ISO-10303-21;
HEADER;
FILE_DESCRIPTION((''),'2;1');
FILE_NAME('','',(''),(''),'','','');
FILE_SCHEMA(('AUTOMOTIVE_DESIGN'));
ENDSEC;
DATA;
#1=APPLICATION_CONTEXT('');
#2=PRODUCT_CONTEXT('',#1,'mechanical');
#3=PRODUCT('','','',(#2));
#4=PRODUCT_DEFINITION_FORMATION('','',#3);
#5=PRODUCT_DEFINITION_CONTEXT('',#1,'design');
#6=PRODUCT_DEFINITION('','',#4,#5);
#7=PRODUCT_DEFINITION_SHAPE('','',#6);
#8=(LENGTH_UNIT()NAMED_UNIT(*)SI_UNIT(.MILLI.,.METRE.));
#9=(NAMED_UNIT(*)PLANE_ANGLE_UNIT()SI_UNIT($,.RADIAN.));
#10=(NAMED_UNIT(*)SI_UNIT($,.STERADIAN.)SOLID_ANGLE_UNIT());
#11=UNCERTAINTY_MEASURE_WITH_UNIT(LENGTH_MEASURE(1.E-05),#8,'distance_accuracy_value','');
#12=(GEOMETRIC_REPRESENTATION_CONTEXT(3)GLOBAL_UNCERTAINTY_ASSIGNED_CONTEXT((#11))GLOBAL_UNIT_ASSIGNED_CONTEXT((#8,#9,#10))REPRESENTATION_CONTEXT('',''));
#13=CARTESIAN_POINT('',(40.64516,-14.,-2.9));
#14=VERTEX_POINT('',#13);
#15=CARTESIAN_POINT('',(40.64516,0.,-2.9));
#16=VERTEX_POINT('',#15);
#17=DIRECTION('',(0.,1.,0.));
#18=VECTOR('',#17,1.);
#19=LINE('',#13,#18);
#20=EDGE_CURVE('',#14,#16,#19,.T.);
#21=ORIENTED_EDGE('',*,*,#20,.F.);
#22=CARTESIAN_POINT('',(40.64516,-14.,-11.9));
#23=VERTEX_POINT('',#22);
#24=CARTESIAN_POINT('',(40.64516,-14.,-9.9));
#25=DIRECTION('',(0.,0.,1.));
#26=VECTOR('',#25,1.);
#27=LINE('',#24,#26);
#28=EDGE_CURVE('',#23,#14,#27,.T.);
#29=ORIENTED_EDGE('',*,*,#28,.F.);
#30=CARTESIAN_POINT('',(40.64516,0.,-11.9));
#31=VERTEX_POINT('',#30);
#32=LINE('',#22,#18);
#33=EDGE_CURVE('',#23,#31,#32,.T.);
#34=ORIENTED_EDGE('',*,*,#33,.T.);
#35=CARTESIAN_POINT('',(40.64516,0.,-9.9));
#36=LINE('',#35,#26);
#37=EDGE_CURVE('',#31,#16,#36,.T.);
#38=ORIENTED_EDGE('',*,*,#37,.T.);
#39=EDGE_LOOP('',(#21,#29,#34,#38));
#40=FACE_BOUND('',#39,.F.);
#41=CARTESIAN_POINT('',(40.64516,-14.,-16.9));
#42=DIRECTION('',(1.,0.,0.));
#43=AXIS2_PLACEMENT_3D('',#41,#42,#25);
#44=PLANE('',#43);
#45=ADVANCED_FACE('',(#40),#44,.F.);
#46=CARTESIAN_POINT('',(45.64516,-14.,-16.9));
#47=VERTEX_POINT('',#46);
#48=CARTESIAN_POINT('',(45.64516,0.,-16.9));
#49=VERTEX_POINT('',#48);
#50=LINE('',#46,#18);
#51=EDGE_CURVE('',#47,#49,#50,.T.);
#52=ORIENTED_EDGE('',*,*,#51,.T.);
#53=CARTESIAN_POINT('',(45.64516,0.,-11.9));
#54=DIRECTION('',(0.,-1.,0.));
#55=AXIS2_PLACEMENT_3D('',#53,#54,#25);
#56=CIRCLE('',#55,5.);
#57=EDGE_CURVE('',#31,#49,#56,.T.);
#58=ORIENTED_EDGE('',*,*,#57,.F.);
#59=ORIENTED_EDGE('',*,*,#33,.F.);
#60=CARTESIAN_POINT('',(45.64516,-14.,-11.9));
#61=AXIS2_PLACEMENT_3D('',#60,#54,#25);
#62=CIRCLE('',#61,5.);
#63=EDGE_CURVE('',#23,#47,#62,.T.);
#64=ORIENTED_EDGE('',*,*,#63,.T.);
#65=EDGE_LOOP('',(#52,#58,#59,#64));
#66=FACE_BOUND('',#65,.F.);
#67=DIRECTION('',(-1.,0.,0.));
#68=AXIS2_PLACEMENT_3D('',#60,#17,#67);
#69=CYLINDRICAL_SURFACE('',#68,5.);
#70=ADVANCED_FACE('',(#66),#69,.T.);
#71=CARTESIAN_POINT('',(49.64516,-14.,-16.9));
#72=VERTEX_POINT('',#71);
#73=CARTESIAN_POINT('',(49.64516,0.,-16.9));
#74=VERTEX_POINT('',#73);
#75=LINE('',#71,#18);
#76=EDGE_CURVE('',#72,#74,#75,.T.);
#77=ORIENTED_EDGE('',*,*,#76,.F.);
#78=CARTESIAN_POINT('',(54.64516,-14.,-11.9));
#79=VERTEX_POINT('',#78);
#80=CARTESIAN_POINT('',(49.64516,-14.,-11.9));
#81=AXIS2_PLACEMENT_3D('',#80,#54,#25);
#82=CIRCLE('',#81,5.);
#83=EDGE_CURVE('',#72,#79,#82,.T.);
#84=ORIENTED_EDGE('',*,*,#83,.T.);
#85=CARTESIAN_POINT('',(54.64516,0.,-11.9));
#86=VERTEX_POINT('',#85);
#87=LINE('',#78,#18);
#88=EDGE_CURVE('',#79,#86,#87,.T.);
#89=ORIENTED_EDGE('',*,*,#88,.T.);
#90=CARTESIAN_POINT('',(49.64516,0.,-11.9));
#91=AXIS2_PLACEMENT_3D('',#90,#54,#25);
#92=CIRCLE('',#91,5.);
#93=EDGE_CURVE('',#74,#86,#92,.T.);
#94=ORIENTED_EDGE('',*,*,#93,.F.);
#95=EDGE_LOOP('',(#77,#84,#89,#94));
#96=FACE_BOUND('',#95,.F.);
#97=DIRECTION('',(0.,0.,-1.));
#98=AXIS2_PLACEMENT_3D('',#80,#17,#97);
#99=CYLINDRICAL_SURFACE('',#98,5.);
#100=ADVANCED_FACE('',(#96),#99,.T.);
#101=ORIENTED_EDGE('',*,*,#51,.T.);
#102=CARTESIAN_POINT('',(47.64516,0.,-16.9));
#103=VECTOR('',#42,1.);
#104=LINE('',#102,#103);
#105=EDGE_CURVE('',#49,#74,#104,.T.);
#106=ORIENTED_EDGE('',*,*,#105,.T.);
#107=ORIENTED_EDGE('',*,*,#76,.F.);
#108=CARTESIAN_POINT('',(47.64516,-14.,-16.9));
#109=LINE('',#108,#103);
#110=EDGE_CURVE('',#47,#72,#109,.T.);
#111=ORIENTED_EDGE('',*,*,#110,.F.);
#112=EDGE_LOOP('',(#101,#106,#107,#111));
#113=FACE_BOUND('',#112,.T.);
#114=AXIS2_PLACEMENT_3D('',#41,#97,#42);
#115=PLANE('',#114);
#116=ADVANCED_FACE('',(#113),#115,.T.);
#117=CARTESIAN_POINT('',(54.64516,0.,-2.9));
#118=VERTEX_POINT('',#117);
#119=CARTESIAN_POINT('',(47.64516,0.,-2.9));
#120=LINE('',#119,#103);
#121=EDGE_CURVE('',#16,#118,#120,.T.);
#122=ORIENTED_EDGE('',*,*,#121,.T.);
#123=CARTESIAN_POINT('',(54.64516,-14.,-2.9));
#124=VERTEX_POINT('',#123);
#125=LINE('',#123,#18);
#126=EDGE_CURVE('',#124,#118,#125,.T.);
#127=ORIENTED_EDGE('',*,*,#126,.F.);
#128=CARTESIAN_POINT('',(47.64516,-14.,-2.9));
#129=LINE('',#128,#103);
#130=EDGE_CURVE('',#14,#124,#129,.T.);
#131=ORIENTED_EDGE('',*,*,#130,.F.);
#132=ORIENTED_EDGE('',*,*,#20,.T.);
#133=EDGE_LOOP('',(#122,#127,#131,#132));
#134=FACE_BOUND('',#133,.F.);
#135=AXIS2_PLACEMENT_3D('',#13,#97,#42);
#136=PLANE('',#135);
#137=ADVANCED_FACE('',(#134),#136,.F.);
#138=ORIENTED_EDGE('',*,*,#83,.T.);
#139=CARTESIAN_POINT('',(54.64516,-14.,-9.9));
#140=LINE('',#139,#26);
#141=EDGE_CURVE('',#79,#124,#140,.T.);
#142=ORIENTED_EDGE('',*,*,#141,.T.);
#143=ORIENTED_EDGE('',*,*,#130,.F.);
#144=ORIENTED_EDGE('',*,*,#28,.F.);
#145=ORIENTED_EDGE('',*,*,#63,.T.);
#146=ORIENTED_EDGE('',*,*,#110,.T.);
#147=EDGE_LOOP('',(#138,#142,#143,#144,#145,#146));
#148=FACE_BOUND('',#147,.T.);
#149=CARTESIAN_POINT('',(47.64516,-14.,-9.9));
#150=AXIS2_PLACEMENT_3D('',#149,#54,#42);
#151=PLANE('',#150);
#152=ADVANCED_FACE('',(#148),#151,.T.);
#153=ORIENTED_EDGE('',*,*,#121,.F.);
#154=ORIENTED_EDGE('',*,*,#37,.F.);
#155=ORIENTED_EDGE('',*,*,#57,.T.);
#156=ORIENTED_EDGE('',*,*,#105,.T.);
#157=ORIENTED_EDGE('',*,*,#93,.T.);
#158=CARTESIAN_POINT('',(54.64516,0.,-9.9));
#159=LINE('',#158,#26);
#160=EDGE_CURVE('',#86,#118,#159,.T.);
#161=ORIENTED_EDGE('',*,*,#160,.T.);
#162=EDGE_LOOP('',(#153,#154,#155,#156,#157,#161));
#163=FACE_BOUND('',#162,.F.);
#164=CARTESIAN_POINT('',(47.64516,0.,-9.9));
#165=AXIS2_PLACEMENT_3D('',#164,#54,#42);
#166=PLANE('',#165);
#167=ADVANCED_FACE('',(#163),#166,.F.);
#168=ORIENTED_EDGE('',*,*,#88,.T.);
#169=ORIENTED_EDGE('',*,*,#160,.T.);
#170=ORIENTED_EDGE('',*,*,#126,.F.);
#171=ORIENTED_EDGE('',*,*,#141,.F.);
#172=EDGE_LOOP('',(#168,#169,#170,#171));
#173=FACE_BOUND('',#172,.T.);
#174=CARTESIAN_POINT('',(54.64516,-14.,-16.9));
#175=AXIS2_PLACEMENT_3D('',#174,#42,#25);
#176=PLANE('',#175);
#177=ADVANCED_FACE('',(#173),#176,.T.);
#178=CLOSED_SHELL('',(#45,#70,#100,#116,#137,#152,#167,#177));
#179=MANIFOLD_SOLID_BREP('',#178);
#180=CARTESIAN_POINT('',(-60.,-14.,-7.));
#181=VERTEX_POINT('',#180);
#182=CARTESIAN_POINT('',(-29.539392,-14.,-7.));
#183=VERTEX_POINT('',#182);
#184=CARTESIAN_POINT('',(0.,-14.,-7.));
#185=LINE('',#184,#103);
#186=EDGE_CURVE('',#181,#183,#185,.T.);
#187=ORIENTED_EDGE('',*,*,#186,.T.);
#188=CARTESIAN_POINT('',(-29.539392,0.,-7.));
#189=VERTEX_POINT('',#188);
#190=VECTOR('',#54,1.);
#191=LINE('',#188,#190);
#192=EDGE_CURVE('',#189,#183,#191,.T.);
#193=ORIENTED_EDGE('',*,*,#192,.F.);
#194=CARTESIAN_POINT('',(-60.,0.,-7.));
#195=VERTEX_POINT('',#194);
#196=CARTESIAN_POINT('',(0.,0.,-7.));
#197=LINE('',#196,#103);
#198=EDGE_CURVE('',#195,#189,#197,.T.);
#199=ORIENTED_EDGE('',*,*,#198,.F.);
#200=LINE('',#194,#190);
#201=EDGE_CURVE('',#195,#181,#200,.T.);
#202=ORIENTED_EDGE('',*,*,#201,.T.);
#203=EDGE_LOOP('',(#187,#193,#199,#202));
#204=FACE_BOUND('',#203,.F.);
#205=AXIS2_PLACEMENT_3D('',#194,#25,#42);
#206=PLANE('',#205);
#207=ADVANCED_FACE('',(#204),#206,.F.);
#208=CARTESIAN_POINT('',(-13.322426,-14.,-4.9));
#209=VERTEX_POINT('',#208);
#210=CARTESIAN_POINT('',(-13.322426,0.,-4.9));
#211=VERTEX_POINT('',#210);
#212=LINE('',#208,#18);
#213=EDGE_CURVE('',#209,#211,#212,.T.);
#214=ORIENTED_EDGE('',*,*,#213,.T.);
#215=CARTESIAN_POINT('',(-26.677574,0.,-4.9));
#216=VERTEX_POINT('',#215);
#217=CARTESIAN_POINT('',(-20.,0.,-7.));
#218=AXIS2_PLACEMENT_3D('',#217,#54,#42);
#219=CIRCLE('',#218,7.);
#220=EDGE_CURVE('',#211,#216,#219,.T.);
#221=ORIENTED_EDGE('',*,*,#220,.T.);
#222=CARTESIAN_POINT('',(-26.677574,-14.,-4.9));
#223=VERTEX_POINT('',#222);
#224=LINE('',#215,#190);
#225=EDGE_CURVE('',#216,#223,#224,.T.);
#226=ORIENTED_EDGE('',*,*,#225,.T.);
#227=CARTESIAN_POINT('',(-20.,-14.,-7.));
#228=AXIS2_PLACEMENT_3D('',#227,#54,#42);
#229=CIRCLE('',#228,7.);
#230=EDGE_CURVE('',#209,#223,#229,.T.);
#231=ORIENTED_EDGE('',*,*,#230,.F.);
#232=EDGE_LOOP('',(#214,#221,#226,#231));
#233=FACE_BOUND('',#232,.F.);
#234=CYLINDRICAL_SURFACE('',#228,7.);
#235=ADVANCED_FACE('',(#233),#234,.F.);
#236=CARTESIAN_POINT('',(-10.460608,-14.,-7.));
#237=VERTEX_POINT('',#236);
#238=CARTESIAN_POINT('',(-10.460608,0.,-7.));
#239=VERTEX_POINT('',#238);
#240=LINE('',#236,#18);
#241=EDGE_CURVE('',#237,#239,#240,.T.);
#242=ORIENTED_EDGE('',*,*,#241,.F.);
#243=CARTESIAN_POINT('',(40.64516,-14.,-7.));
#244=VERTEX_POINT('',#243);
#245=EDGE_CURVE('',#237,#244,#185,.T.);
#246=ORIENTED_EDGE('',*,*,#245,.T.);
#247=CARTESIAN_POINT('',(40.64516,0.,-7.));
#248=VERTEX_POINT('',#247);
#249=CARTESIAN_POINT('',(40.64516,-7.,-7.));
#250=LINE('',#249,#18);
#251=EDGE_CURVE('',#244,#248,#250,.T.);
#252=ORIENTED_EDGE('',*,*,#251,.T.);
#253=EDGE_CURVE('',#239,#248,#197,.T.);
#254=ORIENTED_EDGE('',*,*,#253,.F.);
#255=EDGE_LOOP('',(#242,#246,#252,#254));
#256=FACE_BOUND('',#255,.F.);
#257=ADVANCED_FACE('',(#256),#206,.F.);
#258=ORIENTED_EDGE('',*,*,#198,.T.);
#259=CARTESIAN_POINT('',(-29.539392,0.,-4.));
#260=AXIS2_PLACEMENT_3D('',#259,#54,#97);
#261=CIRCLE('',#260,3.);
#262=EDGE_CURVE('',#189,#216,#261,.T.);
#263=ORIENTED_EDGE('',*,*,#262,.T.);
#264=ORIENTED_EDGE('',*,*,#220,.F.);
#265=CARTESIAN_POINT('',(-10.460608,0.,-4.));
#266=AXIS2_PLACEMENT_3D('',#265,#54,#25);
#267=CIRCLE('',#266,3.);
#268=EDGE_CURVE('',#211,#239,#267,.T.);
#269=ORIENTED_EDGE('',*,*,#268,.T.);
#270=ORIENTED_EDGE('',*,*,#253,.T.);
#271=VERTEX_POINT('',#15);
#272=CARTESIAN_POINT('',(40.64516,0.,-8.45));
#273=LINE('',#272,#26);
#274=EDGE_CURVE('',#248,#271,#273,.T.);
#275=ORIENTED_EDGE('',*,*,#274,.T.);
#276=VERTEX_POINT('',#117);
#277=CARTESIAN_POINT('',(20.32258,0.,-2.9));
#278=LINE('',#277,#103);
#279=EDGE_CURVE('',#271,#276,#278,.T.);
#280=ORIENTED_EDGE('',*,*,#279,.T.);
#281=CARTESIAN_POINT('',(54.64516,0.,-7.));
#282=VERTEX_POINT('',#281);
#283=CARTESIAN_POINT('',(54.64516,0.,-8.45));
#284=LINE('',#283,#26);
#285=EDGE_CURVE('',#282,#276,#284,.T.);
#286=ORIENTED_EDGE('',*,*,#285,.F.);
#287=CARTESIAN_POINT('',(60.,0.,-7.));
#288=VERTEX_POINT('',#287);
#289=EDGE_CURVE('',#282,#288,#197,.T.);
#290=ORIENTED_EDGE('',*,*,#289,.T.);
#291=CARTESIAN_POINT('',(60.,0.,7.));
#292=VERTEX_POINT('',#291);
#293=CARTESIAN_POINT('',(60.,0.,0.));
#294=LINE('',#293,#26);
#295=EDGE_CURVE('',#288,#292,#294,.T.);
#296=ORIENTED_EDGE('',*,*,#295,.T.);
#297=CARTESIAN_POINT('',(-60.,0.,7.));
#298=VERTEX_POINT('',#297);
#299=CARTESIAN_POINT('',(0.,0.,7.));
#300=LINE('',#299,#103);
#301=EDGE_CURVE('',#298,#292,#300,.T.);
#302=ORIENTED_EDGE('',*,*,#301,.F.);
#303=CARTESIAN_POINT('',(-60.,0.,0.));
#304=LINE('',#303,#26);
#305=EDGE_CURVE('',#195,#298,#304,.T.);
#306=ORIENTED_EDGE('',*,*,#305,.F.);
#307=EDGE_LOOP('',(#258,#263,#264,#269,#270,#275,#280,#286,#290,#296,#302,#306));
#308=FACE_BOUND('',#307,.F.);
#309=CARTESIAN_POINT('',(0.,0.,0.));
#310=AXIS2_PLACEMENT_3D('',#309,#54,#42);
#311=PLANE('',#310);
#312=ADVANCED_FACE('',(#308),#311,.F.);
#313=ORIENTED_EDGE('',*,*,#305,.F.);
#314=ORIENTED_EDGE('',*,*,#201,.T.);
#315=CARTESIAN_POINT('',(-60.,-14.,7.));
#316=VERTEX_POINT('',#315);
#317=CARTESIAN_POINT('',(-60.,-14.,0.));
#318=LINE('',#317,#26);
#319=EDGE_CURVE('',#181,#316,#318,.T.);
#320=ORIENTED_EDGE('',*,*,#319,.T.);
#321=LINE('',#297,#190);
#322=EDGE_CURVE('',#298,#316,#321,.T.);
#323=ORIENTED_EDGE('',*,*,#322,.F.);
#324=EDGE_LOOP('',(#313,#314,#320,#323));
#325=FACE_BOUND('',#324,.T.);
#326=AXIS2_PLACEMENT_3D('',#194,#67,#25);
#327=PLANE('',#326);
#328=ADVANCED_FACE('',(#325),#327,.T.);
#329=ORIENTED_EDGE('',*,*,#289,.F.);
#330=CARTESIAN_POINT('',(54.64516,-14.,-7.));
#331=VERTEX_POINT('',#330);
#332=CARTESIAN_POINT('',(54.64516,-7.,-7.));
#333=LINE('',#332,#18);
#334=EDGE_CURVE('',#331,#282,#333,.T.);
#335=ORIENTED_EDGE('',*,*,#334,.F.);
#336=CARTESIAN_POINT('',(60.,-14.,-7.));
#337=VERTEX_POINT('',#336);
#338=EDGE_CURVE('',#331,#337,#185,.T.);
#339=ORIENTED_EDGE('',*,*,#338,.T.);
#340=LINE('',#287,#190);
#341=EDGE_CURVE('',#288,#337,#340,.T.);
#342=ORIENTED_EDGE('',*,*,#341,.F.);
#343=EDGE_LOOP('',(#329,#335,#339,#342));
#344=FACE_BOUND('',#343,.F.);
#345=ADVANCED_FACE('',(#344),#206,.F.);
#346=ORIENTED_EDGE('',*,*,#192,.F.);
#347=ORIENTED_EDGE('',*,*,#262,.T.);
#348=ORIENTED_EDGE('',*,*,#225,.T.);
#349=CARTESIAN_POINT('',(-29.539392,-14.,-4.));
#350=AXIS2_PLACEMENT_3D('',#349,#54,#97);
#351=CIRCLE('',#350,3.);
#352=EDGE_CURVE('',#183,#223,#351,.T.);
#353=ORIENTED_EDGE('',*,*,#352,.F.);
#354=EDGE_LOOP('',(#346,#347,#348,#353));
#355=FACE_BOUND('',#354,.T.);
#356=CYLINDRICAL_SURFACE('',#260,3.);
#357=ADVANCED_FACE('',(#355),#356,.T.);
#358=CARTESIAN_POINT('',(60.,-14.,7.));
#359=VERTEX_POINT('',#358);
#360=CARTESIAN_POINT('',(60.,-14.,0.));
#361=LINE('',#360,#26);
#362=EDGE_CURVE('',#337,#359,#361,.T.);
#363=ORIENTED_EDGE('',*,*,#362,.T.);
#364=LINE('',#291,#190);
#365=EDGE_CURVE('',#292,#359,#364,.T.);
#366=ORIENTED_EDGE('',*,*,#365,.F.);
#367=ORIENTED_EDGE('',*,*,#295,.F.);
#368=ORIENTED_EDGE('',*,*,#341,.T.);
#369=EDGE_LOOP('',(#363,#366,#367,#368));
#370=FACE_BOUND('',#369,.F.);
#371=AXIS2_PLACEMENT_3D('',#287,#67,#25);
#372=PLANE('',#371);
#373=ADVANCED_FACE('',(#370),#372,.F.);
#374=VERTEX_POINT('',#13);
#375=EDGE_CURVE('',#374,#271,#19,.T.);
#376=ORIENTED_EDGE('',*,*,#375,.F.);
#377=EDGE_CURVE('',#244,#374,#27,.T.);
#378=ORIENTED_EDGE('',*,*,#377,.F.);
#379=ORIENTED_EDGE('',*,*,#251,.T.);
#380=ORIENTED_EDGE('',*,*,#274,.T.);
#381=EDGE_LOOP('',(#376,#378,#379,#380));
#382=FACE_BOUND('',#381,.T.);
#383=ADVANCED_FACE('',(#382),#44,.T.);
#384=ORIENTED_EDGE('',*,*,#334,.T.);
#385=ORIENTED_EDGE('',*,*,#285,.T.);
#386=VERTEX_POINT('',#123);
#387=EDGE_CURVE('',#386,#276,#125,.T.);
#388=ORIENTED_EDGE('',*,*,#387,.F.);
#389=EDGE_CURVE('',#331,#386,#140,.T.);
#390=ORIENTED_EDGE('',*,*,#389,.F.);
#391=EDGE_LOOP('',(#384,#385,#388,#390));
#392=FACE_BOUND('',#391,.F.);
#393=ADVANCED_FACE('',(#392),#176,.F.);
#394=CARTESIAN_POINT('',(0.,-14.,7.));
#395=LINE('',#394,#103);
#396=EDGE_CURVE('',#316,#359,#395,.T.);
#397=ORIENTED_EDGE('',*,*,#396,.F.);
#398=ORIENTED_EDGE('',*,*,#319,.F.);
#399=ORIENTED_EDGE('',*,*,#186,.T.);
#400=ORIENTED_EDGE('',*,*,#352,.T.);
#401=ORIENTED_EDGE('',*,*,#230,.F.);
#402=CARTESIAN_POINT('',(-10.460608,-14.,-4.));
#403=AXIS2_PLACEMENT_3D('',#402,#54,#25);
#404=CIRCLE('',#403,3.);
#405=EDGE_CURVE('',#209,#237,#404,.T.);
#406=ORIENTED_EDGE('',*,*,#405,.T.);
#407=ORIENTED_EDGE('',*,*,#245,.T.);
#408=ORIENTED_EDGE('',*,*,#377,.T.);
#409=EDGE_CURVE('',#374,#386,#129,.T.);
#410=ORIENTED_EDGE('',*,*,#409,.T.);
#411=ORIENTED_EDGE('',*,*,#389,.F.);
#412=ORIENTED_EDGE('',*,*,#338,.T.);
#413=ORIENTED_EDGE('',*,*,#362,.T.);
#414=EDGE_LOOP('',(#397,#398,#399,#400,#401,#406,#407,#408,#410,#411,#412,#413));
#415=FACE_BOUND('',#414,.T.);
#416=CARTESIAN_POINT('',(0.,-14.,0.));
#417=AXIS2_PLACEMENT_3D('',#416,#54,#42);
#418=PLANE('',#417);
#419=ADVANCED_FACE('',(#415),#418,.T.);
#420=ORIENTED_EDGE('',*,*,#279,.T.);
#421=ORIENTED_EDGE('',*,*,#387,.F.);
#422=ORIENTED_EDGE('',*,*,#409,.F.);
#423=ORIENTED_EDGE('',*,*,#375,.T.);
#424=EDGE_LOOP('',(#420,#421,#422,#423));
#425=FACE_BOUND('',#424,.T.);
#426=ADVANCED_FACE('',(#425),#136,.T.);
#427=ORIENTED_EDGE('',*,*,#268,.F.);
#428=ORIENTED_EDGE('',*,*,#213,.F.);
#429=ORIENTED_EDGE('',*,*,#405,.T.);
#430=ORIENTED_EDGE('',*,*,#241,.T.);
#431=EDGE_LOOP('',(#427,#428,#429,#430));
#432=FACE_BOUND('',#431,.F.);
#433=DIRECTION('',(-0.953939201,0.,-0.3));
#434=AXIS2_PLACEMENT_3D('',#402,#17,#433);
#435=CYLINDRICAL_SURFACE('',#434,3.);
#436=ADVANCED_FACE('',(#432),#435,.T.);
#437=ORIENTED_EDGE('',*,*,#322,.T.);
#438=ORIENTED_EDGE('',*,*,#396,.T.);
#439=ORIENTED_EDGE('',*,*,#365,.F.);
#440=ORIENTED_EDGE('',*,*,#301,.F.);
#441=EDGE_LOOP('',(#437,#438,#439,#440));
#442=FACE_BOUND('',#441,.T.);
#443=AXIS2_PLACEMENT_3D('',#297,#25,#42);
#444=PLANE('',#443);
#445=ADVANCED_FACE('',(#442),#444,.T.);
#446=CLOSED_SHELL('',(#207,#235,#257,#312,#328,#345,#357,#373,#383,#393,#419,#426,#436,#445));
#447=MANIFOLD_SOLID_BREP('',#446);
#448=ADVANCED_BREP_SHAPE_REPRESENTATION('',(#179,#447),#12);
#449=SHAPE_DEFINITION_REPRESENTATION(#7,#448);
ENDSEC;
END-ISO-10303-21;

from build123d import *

# Parameters (mm, degrees)
F0_W     = 120
F0_H     = 14
F1_DEPTH = 14
F2_R     = 7
F3_DEPTH = 14.001
F4_R     = 3
F5_W     = 14
F5_H     = 14
F6_DEPTH = 14.001
F7_DEPTH = 14
F8_R     = 5


with BuildPart() as f1:
    # F0 (on Front) → F1 (new body)
    with BuildSketch(Plane.XZ):
        Rectangle(F0_W, F0_H)
    extrude(amount=F1_DEPTH)

    # F2 (on face) → F3 (cut, through all)
    with BuildSketch(Plane.XZ.offset(14)):
        with Locations((-20, -7)):
            Circle(F2_R)
    extrude(amount=-F3_DEPTH, mode=Mode.SUBTRACT)

    # F4
    f4_edges = [f1.edges().sort_by_distance(p)[0] for p in [
        (-27, -7, -7),
        (-13, -7, -7),
    ]]
    fillet(f4_edges, radius=F4_R)

    # F5 (on face) → F6 (cut, through all)
    with BuildSketch(Plane.XZ.offset(14)):
        with Locations((47.645159781, -9.9)):
            Rectangle(F5_W, F5_H)
    extrude(amount=-F6_DEPTH, mode=Mode.SUBTRACT)


with BuildPart() as f7:
    # F5 (on face) → F7 (new body)
    with BuildSketch(Plane.XZ.offset(14)):
        with Locations((47.645159781, -9.9)):
            Rectangle(F5_W, F5_H)
    extrude(amount=-F7_DEPTH)

    # F8
    f8_edges = [f7.edges().sort_by_distance(p)[0] for p in [
        (54.64516, -7, -16.9),
        (40.64516, -7, -16.9),
    ]]
    fillet(f8_edges, radius=F8_R)


solid = Compound([f1.part, f7.part])
